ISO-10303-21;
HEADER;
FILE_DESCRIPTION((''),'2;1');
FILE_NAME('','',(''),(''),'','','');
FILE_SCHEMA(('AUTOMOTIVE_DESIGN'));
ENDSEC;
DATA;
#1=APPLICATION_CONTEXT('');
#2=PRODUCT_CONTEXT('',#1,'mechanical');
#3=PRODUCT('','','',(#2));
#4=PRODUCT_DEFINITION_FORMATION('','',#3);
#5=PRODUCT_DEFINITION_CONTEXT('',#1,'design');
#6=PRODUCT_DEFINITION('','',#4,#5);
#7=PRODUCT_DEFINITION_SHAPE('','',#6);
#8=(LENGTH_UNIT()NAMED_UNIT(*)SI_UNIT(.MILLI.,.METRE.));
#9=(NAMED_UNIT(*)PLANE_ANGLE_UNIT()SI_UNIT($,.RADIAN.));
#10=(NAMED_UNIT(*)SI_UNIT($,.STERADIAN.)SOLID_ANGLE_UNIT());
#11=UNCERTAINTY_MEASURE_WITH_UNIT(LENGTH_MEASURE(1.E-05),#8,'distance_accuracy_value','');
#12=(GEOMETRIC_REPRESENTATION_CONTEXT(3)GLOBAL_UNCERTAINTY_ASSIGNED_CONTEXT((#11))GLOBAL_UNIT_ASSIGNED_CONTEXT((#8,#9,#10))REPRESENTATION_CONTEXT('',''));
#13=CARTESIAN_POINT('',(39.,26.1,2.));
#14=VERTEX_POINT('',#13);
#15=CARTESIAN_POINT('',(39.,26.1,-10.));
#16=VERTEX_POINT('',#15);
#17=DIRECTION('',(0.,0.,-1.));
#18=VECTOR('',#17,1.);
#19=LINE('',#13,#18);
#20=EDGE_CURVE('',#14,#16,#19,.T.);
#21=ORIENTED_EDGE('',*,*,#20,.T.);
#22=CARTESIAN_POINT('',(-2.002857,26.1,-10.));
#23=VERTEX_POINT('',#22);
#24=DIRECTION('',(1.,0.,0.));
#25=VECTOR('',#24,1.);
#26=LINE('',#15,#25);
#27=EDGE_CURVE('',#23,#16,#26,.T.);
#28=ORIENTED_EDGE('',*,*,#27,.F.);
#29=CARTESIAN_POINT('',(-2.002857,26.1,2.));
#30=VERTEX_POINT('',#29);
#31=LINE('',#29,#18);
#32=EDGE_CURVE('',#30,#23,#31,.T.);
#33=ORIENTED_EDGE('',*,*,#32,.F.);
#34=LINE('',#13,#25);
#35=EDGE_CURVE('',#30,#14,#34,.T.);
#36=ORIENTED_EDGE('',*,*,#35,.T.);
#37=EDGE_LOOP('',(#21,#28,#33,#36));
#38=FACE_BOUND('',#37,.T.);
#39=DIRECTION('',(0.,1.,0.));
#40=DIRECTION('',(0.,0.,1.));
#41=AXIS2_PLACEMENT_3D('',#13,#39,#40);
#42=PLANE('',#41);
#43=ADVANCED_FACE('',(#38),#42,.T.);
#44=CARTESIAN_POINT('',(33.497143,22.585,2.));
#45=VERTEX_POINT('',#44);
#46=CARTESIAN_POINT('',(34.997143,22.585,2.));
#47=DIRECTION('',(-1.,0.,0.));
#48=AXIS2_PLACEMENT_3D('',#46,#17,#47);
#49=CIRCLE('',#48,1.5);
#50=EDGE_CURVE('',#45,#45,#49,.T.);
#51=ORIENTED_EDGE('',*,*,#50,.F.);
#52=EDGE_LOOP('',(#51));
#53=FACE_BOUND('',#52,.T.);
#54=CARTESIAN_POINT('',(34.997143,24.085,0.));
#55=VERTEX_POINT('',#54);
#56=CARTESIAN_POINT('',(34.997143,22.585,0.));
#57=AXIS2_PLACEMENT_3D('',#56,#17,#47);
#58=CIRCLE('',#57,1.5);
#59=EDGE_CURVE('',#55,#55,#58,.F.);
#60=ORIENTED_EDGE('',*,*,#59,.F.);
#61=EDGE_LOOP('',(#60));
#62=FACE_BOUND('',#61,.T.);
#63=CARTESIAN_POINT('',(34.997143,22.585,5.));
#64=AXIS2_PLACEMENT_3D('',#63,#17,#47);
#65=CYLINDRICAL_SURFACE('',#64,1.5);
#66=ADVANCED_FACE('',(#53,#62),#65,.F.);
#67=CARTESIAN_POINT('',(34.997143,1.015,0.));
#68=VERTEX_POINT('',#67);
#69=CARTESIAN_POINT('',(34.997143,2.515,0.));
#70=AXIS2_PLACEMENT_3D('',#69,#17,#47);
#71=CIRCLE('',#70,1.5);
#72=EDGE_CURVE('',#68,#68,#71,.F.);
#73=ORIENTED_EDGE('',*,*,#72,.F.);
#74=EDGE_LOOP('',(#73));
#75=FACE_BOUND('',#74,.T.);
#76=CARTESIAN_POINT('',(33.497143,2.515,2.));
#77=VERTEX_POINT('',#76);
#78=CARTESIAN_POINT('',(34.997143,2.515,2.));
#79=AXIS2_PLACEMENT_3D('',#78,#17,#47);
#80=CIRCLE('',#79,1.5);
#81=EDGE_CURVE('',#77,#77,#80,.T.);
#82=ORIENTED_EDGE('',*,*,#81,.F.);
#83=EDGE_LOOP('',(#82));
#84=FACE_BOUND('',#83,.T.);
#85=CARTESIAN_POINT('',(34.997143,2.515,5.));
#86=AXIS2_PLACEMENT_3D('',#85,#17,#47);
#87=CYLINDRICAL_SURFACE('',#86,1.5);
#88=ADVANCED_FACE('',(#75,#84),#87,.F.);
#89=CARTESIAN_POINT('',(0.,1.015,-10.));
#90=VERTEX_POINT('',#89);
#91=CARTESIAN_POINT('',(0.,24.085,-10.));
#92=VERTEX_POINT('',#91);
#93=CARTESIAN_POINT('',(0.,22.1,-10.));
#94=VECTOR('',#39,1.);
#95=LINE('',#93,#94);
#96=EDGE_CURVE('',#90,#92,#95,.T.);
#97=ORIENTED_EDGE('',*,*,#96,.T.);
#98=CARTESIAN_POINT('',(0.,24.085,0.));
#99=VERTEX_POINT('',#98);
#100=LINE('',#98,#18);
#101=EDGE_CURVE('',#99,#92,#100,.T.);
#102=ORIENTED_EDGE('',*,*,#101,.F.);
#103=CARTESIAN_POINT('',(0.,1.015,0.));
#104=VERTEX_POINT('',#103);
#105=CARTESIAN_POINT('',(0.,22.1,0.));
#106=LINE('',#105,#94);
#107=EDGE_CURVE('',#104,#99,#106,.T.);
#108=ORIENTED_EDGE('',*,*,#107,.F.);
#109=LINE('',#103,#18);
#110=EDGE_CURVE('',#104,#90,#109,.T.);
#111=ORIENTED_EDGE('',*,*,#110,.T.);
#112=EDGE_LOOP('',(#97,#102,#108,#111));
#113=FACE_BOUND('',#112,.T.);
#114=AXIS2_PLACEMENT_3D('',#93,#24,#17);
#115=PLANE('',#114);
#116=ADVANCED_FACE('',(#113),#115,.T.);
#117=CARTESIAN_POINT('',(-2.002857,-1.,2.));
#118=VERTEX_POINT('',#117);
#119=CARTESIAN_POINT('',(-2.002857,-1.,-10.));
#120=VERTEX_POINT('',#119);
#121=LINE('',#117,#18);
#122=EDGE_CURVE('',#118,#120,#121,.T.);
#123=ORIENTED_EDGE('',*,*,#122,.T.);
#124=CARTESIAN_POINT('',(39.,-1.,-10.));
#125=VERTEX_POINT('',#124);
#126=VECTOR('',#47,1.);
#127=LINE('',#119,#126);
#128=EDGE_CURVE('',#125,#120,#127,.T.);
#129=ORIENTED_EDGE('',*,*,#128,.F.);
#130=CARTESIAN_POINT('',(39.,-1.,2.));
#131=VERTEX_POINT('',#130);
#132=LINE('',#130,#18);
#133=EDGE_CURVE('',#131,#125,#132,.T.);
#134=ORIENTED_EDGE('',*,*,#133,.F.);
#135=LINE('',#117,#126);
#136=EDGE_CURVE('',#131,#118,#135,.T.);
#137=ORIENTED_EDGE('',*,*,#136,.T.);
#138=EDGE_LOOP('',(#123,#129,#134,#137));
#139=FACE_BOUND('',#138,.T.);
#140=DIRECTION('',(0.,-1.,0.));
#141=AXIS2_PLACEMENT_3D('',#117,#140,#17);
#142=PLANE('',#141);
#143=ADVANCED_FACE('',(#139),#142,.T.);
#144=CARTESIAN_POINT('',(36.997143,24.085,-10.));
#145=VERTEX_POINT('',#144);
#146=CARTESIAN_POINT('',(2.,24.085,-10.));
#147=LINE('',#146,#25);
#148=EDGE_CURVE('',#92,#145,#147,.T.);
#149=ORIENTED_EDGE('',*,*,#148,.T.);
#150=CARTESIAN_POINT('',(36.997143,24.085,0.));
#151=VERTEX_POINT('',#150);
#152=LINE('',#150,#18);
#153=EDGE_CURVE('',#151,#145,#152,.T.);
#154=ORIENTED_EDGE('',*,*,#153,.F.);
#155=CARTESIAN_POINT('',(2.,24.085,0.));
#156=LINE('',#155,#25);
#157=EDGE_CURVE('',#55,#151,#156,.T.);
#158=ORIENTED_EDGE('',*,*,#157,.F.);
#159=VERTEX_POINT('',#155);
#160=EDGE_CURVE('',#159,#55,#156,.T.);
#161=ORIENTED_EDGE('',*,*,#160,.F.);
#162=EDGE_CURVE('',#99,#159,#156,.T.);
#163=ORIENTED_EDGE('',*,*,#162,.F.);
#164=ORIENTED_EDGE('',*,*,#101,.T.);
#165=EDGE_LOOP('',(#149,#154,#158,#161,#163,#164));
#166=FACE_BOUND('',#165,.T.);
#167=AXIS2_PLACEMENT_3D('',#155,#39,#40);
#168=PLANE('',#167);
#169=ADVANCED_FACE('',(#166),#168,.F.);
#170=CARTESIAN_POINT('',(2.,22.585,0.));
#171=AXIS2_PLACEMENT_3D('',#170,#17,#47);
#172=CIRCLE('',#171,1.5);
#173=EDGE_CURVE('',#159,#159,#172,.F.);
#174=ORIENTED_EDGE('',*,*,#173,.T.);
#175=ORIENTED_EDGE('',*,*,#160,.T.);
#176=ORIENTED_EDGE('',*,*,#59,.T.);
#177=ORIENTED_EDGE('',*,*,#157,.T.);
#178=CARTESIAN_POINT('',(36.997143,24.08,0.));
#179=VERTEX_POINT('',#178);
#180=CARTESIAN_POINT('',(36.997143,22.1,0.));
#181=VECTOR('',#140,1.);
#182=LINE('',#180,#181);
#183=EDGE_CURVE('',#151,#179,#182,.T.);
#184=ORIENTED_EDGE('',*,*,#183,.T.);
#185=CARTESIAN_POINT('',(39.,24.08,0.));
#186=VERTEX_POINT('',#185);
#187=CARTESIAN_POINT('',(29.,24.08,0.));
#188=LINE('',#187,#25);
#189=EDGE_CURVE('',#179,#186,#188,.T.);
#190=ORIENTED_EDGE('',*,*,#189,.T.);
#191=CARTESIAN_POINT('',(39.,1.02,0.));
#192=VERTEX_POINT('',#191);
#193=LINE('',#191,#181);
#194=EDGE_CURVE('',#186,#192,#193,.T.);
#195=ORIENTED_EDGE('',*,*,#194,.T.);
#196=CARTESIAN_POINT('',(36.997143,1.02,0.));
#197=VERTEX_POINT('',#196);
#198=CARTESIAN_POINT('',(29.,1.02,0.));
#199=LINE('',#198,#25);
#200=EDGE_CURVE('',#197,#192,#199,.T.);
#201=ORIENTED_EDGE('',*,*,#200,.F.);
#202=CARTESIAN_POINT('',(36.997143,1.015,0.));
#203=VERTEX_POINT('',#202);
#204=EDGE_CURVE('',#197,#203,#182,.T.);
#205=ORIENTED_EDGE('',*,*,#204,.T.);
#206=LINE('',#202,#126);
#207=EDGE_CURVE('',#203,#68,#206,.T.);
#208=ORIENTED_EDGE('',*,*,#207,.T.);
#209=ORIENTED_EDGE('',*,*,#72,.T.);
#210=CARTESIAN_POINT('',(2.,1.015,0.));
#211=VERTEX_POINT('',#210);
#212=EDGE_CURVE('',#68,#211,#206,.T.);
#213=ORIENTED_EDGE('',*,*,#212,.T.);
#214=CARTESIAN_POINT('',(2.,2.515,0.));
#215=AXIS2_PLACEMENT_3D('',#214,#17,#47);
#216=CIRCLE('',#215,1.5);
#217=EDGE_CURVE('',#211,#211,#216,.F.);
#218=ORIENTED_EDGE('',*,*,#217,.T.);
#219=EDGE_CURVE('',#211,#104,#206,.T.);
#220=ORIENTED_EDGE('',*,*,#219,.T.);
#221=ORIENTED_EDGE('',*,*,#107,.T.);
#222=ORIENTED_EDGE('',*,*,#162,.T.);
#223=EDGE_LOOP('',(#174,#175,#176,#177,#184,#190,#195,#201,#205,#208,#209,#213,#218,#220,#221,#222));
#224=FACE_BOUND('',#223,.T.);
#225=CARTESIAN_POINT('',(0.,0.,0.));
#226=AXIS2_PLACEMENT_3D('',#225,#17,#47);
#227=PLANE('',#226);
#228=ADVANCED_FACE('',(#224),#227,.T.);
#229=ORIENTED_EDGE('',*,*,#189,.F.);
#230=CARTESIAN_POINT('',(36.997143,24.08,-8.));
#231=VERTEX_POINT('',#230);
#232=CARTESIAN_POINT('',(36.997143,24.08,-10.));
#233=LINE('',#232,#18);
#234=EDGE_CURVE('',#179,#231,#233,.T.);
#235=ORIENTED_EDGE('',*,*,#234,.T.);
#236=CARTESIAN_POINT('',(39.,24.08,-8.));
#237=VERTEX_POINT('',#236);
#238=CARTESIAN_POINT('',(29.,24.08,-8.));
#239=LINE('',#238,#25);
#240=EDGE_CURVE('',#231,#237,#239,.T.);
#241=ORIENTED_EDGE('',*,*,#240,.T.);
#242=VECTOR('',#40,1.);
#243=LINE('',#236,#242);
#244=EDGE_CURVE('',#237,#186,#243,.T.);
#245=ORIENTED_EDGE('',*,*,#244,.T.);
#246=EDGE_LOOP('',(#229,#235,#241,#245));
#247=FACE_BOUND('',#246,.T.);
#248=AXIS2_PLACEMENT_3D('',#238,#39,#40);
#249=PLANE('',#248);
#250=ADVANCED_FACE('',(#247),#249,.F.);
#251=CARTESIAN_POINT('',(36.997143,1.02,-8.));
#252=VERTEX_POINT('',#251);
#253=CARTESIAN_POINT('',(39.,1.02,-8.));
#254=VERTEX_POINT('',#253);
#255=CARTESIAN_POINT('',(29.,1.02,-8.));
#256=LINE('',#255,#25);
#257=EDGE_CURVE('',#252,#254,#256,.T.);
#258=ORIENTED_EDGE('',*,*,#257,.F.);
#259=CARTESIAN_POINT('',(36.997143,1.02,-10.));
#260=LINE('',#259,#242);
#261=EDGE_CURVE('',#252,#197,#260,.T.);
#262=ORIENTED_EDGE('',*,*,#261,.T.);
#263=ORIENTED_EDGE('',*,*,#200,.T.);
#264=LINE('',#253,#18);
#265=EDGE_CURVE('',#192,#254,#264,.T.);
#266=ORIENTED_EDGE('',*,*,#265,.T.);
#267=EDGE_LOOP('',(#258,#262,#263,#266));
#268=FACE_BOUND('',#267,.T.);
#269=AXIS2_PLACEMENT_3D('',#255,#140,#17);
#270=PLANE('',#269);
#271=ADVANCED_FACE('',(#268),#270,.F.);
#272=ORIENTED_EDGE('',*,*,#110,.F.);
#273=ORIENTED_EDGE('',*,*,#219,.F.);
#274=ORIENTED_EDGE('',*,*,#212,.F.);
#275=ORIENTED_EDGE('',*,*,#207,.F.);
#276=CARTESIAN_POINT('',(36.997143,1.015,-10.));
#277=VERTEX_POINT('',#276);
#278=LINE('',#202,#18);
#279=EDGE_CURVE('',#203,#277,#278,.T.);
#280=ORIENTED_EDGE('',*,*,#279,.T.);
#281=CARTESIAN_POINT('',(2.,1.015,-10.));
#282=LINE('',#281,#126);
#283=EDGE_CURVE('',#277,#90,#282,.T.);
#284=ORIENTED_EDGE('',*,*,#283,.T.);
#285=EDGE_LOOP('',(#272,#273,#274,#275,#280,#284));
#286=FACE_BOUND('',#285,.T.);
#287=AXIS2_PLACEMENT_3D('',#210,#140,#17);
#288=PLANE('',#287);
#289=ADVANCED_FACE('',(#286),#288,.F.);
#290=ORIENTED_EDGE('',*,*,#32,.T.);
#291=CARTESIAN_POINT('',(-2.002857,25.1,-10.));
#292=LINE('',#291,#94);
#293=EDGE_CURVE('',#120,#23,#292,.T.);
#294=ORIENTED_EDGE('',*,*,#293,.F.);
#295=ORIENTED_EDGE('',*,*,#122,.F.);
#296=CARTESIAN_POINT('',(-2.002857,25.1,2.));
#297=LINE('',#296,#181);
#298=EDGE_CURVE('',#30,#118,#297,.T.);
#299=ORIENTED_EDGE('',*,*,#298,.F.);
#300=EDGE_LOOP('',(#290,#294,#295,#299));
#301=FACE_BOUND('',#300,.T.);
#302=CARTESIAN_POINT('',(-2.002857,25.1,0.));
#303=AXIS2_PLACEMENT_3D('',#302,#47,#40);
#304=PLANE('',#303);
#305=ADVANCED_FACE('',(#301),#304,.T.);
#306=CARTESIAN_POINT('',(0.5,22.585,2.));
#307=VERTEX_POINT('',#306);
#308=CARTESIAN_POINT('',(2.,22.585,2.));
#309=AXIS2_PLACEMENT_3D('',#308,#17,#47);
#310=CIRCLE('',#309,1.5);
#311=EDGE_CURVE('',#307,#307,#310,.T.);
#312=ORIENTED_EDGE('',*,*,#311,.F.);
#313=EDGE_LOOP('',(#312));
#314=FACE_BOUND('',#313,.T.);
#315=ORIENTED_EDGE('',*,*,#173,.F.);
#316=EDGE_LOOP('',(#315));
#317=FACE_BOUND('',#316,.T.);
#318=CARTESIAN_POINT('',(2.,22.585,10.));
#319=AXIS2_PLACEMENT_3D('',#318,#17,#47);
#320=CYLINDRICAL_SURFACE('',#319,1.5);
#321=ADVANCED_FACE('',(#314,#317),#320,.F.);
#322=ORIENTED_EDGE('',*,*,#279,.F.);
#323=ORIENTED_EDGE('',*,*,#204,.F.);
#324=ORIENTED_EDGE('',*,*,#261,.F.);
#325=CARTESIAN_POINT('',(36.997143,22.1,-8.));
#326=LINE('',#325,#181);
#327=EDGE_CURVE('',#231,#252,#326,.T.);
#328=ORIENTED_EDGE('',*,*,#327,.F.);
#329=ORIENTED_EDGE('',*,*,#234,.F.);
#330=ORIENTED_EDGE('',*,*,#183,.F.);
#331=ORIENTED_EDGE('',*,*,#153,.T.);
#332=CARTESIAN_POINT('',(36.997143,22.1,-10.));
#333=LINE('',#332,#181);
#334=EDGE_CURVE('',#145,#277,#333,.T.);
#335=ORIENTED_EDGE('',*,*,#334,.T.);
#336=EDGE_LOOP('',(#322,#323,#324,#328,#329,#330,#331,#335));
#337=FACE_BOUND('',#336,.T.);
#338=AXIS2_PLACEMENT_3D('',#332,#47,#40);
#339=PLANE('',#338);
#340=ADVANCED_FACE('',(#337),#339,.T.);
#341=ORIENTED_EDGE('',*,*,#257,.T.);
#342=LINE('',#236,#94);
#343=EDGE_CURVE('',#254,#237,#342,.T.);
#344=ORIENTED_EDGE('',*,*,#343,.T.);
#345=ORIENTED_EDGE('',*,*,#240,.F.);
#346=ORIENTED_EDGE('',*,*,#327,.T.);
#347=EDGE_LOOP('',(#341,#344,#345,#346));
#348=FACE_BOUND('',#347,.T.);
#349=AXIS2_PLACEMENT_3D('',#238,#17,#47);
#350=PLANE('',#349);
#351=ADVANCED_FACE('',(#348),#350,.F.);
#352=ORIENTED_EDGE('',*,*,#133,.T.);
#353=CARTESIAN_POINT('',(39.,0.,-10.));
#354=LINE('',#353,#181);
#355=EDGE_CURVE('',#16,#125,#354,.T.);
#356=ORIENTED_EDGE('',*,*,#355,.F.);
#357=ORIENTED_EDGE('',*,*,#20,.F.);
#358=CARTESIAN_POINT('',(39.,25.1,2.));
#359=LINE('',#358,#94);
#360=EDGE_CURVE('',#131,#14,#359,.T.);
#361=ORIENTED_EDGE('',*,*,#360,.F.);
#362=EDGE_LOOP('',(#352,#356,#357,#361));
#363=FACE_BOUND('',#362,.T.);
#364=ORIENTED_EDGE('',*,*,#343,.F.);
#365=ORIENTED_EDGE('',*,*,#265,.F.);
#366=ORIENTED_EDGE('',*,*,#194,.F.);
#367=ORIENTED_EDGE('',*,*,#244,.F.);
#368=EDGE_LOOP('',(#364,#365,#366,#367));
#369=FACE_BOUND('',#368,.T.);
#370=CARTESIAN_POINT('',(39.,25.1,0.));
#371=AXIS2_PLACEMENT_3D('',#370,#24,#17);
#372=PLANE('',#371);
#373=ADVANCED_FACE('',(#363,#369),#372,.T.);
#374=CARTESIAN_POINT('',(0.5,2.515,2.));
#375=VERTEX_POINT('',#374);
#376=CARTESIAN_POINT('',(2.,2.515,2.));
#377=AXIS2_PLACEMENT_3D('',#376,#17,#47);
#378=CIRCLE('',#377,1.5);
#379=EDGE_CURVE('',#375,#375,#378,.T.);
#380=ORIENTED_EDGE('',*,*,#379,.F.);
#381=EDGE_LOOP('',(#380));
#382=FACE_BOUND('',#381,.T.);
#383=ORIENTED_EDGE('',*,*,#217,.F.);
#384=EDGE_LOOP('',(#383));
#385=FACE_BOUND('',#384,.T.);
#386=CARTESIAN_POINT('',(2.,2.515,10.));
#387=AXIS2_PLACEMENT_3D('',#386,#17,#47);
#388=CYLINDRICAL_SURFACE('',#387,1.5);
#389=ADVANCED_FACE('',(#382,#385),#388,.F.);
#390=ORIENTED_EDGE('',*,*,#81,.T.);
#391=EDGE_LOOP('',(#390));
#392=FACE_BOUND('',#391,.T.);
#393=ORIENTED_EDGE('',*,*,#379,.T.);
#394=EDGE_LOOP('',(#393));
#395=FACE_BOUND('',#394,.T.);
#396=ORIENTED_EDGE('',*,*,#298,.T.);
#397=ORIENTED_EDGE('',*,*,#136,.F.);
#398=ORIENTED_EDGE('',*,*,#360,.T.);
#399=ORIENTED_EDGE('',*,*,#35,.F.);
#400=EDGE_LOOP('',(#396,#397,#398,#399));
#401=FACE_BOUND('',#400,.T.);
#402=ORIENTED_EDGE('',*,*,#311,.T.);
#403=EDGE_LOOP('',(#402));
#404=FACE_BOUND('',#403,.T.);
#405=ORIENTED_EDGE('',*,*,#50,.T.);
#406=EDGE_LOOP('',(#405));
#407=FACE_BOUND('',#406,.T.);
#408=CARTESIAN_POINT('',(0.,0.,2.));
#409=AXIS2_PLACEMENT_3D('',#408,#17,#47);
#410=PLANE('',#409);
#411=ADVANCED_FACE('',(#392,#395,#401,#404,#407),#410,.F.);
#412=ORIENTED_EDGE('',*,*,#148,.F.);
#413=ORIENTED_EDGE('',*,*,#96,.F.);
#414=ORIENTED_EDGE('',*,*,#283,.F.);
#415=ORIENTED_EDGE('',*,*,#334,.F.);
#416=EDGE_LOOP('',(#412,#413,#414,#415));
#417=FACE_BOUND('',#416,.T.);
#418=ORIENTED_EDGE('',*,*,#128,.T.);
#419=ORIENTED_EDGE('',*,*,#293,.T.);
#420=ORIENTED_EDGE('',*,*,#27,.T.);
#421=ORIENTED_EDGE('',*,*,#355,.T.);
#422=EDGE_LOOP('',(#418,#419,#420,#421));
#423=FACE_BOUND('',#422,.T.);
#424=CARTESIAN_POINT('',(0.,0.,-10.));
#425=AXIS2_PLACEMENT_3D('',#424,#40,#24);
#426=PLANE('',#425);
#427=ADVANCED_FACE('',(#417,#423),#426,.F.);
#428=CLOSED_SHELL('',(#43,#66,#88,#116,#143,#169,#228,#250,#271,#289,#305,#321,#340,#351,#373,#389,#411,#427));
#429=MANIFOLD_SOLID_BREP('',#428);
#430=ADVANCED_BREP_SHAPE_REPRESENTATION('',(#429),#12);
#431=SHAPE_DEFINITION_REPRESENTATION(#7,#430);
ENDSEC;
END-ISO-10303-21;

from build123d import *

# Parameters (mm, degrees)
ESBO_O1_W                = 35
ESBO_O1_H                = 25.1
RESSALTO_EXTRUS_O1_DEPTH = 2
ESBO_O2_R                = 1.5
CORTE_EXTRUS_O1_DEPTH    = 2
ESBO_O3_W                = 2.002857319
ESBO_O3_H                = 25.1
RESSALTO_EXTRUS_O2_DEPTH = 2
CORTE_EXTRUS_O2_DEPTH    = 2
ESBO_O5_W                = 4
ESBO_O5_H                = 25.1
RESSALTO_EXTRUS_O3_DEPTH = 2
ESBO_O6_W                = 41.002857319
ESBO_O6_H                = 25.1
RESSALTO_EXTRUS_O4_DEPTH = 10
ESBO_O7_W                = 17.37169178
ESBO_O7_H                = 25.1
RESSALTO_EXTRUS_O5_DEPTH = 2
ESBO_O8_R                = 1.5
CORTE_EXTRUS_O3_DEPTH    = 20
RESSALTO_EXTRUS_O6_START = -10
RESSALTO_EXTRUS_O6_DEPTH = 10
ESBO_O10_W               = 2
ESBO_O10_H               = 2
RESSALTO_EXTRUS_O7_DEPTH = 10
ESBO_O11_R               = 1.5
CORTE_EXTRUS_O4_DEPTH    = 15
ESBO_O12_W               = 41.002857319
ESBO_O12_H               = 1
RESSALTO_EXTRUS_O8_DEPTH = 12
CORTE_EXTRUS_O5_DEPTH    = 10
ESBO_O14_W               = 8
ESBO_O14_H               = 23.06
CORTE_EXTRUS_O6_DEPTH    = 10


with BuildPart() as part:
    # Esboço1 → Ressalto-extrusão1 (new body)
    with BuildSketch(Plane.XY):
        with Locations((17.5, 12.55)):
            Rectangle(ESBO_O1_W, ESBO_O1_H)
    extrude(amount=RESSALTO_EXTRUS_O1_DEPTH)

    # Esboço2 → Corte-extrusão1 (cut)
    with BuildSketch(Plane.XY.offset(2)):
        with Locations((2.13, 22.97)):
            Circle(ESBO_O2_R)
        with Locations(Location((2.13, 2.13, 0), (0, 0, 180))):
            Circle(ESBO_O2_R)
    extrude(amount=-CORTE_EXTRUS_O1_DEPTH, mode=Mode.SUBTRACT)

    # Esboço3 → Ressalto-extrusão2 (add)
    with BuildSketch(Plane.XY.offset(2)):
        with Locations((-1.00142866, 12.55)):
            Rectangle(ESBO_O3_W, ESBO_O3_H)
    extrude(amount=-RESSALTO_EXTRUS_O2_DEPTH)

    # Esboço4 → Corte-extrusão2 (cut)
    with BuildSketch(Plane.XY.offset(2)):
        Polygon((1.597142681, 12.55), (1.597142681, 19.05), (14.597142681, 19.05), (14.597142681, 6.05), (1.597142681, 6.05), align=None)
    extrude(amount=-CORTE_EXTRUS_O2_DEPTH, mode=Mode.SUBTRACT)

    # Esboço5 → Ressalto-extrusão3 (add)
    with BuildSketch(Plane.XY.offset(2)):
        with Locations((37, 12.55)):
            Rectangle(ESBO_O5_W, ESBO_O5_H)
    extrude(amount=-RESSALTO_EXTRUS_O3_DEPTH)

    # Esboço6 → Ressalto-extrusão4 (add)
    with BuildSketch(Plane(origin=(0, 0, 0), x_dir=(-1, 0, 0), z_dir=(0, 0, -1))):
        with Locations((-18.49857134, 12.55)):
            Rectangle(ESBO_O6_W, ESBO_O6_H)
        with BuildLine():
            Line((-32.997142681, 22.1), (-4, 22.1))
            ThreePointArc((-4, 22.1), (-2, 20.1), (0, 22.1))
            Line((0, 22.1), (0, 3))
            ThreePointArc((0, 3), (-2, 5), (-4, 3))
            Line((-4, 3), (-32.997142681, 3))
            ThreePointArc((-32.997142681, 3), (-34.997142681, 5), (-36.997142681, 3))
            Line((-36.997142681, 3), (-36.997142681, 22.1))
            ThreePointArc((-36.997142681, 22.1), (-34.997142681, 20.1), (-32.997142681, 22.1))
        make_face(mode=Mode.SUBTRACT)
    extrude(amount=RESSALTO_EXTRUS_O4_DEPTH)

    # Esboço7 → Ressalto-extrusão5 (add)
    with BuildSketch(Plane.XY.offset(2)):
        with Locations((6.682988571, 12.55)):
            Rectangle(ESBO_O7_W, ESBO_O7_H)
    extrude(amount=-RESSALTO_EXTRUS_O5_DEPTH)

    # Esboço8 → Corte-extrusão3 (cut)
    with BuildSketch(Plane(origin=(0, 0, -10), x_dir=(-1, 0, 0), z_dir=(0, 0, -1))):
        with Locations((-2, 22.585)):
            Circle(ESBO_O8_R)
        with Locations((-2, 2.515)):
            Circle(ESBO_O8_R)
    extrude(amount=-CORTE_EXTRUS_O3_DEPTH, mode=Mode.SUBTRACT)

    # Esboço9 → Ressalto-extrusão6 (add)
    with BuildSketch(Plane(origin=(0, 0, -10), x_dir=(-1, 0, 0), z_dir=(0, 0, -1)).offset(RESSALTO_EXTRUS_O6_START)):
        with BuildLine():
            Line((-2, 20.1), (0, 20.1))
            Line((0, 20.1), (0, 22.1))
            ThreePointArc((0, 22.1), (-0.585786438, 20.685786438), (-2, 20.1))
        make_face()
        with BuildLine():
            Line((0, 5), (0, 3))
            ThreePointArc((0, 3), (-0.585786438, 4.414213562), (-2, 5))
            Line((-2, 5), (0, 5))
        make_face()
    extrude(amount=RESSALTO_EXTRUS_O6_DEPTH)

    # Esboço10 → Ressalto-extrusão7 (add)
    with BuildSketch(Plane(origin=(0, 0, -10), x_dir=(-1, 0, 0), z_dir=(0, 0, -1))):
        Polygon((-34.997142681, 20.1), (-36.997142681, 20.1), (-36.997142681, 22.1), align=None)
        with Locations((-35.997142681, 4)):
            Rectangle(ESBO_O10_W, ESBO_O10_H)
    extrude(amount=-RESSALTO_EXTRUS_O7_DEPTH)

    # Esboço11 → Corte-extrusão4 (cut)
    with BuildSketch(Plane(origin=(0, 0, -10), x_dir=(-1, 0, 0), z_dir=(0, 0, -1))):
        with Locations((-34.997142681, 22.585)):
            Circle(ESBO_O11_R)
        with Locations((-34.997142681, 2.515)):
            Circle(ESBO_O11_R)
    extrude(amount=-CORTE_EXTRUS_O4_DEPTH, mode=Mode.SUBTRACT)

    # Esboço12 → Ressalto-extrusão8 (add)
    with BuildSketch(Plane(origin=(0, 0, -10), x_dir=(-1, 0, 0), z_dir=(0, 0, -1))):
        with Locations((-18.49857134, 25.6)):
            Rectangle(ESBO_O12_W, ESBO_O12_H)
        with Locations((-18.49857134, -0.5)):
            Rectangle(ESBO_O12_W, ESBO_O12_H)
    extrude(amount=-RESSALTO_EXTRUS_O8_DEPTH)

    # Esboço13 → Corte-extrusão5 (cut)
    with BuildSketch(Plane(origin=(0, 0, -10), x_dir=(-1, 0, 0), z_dir=(0, 0, -1))):
        Polygon((-2, 24.085), (0, 24.085), (0, 1.015), (-2, 1.015), (-36.997142681, 1.015), (-36.997142681, 24.085), align=None)
    extrude(amount=-CORTE_EXTRUS_O5_DEPTH, mode=Mode.SUBTRACT)

    # Esboço14 → Corte-extrusão6 (cut)
    with BuildSketch(Plane(origin=(39, 0, 0), x_dir=(0, 0, -1), z_dir=(1, 0, 0))):
        with Locations((4, 12.55)):
            Rectangle(ESBO_O14_W, ESBO_O14_H)
    extrude(amount=-CORTE_EXTRUS_O6_DEPTH, mode=Mode.SUBTRACT)


solid = part.part
